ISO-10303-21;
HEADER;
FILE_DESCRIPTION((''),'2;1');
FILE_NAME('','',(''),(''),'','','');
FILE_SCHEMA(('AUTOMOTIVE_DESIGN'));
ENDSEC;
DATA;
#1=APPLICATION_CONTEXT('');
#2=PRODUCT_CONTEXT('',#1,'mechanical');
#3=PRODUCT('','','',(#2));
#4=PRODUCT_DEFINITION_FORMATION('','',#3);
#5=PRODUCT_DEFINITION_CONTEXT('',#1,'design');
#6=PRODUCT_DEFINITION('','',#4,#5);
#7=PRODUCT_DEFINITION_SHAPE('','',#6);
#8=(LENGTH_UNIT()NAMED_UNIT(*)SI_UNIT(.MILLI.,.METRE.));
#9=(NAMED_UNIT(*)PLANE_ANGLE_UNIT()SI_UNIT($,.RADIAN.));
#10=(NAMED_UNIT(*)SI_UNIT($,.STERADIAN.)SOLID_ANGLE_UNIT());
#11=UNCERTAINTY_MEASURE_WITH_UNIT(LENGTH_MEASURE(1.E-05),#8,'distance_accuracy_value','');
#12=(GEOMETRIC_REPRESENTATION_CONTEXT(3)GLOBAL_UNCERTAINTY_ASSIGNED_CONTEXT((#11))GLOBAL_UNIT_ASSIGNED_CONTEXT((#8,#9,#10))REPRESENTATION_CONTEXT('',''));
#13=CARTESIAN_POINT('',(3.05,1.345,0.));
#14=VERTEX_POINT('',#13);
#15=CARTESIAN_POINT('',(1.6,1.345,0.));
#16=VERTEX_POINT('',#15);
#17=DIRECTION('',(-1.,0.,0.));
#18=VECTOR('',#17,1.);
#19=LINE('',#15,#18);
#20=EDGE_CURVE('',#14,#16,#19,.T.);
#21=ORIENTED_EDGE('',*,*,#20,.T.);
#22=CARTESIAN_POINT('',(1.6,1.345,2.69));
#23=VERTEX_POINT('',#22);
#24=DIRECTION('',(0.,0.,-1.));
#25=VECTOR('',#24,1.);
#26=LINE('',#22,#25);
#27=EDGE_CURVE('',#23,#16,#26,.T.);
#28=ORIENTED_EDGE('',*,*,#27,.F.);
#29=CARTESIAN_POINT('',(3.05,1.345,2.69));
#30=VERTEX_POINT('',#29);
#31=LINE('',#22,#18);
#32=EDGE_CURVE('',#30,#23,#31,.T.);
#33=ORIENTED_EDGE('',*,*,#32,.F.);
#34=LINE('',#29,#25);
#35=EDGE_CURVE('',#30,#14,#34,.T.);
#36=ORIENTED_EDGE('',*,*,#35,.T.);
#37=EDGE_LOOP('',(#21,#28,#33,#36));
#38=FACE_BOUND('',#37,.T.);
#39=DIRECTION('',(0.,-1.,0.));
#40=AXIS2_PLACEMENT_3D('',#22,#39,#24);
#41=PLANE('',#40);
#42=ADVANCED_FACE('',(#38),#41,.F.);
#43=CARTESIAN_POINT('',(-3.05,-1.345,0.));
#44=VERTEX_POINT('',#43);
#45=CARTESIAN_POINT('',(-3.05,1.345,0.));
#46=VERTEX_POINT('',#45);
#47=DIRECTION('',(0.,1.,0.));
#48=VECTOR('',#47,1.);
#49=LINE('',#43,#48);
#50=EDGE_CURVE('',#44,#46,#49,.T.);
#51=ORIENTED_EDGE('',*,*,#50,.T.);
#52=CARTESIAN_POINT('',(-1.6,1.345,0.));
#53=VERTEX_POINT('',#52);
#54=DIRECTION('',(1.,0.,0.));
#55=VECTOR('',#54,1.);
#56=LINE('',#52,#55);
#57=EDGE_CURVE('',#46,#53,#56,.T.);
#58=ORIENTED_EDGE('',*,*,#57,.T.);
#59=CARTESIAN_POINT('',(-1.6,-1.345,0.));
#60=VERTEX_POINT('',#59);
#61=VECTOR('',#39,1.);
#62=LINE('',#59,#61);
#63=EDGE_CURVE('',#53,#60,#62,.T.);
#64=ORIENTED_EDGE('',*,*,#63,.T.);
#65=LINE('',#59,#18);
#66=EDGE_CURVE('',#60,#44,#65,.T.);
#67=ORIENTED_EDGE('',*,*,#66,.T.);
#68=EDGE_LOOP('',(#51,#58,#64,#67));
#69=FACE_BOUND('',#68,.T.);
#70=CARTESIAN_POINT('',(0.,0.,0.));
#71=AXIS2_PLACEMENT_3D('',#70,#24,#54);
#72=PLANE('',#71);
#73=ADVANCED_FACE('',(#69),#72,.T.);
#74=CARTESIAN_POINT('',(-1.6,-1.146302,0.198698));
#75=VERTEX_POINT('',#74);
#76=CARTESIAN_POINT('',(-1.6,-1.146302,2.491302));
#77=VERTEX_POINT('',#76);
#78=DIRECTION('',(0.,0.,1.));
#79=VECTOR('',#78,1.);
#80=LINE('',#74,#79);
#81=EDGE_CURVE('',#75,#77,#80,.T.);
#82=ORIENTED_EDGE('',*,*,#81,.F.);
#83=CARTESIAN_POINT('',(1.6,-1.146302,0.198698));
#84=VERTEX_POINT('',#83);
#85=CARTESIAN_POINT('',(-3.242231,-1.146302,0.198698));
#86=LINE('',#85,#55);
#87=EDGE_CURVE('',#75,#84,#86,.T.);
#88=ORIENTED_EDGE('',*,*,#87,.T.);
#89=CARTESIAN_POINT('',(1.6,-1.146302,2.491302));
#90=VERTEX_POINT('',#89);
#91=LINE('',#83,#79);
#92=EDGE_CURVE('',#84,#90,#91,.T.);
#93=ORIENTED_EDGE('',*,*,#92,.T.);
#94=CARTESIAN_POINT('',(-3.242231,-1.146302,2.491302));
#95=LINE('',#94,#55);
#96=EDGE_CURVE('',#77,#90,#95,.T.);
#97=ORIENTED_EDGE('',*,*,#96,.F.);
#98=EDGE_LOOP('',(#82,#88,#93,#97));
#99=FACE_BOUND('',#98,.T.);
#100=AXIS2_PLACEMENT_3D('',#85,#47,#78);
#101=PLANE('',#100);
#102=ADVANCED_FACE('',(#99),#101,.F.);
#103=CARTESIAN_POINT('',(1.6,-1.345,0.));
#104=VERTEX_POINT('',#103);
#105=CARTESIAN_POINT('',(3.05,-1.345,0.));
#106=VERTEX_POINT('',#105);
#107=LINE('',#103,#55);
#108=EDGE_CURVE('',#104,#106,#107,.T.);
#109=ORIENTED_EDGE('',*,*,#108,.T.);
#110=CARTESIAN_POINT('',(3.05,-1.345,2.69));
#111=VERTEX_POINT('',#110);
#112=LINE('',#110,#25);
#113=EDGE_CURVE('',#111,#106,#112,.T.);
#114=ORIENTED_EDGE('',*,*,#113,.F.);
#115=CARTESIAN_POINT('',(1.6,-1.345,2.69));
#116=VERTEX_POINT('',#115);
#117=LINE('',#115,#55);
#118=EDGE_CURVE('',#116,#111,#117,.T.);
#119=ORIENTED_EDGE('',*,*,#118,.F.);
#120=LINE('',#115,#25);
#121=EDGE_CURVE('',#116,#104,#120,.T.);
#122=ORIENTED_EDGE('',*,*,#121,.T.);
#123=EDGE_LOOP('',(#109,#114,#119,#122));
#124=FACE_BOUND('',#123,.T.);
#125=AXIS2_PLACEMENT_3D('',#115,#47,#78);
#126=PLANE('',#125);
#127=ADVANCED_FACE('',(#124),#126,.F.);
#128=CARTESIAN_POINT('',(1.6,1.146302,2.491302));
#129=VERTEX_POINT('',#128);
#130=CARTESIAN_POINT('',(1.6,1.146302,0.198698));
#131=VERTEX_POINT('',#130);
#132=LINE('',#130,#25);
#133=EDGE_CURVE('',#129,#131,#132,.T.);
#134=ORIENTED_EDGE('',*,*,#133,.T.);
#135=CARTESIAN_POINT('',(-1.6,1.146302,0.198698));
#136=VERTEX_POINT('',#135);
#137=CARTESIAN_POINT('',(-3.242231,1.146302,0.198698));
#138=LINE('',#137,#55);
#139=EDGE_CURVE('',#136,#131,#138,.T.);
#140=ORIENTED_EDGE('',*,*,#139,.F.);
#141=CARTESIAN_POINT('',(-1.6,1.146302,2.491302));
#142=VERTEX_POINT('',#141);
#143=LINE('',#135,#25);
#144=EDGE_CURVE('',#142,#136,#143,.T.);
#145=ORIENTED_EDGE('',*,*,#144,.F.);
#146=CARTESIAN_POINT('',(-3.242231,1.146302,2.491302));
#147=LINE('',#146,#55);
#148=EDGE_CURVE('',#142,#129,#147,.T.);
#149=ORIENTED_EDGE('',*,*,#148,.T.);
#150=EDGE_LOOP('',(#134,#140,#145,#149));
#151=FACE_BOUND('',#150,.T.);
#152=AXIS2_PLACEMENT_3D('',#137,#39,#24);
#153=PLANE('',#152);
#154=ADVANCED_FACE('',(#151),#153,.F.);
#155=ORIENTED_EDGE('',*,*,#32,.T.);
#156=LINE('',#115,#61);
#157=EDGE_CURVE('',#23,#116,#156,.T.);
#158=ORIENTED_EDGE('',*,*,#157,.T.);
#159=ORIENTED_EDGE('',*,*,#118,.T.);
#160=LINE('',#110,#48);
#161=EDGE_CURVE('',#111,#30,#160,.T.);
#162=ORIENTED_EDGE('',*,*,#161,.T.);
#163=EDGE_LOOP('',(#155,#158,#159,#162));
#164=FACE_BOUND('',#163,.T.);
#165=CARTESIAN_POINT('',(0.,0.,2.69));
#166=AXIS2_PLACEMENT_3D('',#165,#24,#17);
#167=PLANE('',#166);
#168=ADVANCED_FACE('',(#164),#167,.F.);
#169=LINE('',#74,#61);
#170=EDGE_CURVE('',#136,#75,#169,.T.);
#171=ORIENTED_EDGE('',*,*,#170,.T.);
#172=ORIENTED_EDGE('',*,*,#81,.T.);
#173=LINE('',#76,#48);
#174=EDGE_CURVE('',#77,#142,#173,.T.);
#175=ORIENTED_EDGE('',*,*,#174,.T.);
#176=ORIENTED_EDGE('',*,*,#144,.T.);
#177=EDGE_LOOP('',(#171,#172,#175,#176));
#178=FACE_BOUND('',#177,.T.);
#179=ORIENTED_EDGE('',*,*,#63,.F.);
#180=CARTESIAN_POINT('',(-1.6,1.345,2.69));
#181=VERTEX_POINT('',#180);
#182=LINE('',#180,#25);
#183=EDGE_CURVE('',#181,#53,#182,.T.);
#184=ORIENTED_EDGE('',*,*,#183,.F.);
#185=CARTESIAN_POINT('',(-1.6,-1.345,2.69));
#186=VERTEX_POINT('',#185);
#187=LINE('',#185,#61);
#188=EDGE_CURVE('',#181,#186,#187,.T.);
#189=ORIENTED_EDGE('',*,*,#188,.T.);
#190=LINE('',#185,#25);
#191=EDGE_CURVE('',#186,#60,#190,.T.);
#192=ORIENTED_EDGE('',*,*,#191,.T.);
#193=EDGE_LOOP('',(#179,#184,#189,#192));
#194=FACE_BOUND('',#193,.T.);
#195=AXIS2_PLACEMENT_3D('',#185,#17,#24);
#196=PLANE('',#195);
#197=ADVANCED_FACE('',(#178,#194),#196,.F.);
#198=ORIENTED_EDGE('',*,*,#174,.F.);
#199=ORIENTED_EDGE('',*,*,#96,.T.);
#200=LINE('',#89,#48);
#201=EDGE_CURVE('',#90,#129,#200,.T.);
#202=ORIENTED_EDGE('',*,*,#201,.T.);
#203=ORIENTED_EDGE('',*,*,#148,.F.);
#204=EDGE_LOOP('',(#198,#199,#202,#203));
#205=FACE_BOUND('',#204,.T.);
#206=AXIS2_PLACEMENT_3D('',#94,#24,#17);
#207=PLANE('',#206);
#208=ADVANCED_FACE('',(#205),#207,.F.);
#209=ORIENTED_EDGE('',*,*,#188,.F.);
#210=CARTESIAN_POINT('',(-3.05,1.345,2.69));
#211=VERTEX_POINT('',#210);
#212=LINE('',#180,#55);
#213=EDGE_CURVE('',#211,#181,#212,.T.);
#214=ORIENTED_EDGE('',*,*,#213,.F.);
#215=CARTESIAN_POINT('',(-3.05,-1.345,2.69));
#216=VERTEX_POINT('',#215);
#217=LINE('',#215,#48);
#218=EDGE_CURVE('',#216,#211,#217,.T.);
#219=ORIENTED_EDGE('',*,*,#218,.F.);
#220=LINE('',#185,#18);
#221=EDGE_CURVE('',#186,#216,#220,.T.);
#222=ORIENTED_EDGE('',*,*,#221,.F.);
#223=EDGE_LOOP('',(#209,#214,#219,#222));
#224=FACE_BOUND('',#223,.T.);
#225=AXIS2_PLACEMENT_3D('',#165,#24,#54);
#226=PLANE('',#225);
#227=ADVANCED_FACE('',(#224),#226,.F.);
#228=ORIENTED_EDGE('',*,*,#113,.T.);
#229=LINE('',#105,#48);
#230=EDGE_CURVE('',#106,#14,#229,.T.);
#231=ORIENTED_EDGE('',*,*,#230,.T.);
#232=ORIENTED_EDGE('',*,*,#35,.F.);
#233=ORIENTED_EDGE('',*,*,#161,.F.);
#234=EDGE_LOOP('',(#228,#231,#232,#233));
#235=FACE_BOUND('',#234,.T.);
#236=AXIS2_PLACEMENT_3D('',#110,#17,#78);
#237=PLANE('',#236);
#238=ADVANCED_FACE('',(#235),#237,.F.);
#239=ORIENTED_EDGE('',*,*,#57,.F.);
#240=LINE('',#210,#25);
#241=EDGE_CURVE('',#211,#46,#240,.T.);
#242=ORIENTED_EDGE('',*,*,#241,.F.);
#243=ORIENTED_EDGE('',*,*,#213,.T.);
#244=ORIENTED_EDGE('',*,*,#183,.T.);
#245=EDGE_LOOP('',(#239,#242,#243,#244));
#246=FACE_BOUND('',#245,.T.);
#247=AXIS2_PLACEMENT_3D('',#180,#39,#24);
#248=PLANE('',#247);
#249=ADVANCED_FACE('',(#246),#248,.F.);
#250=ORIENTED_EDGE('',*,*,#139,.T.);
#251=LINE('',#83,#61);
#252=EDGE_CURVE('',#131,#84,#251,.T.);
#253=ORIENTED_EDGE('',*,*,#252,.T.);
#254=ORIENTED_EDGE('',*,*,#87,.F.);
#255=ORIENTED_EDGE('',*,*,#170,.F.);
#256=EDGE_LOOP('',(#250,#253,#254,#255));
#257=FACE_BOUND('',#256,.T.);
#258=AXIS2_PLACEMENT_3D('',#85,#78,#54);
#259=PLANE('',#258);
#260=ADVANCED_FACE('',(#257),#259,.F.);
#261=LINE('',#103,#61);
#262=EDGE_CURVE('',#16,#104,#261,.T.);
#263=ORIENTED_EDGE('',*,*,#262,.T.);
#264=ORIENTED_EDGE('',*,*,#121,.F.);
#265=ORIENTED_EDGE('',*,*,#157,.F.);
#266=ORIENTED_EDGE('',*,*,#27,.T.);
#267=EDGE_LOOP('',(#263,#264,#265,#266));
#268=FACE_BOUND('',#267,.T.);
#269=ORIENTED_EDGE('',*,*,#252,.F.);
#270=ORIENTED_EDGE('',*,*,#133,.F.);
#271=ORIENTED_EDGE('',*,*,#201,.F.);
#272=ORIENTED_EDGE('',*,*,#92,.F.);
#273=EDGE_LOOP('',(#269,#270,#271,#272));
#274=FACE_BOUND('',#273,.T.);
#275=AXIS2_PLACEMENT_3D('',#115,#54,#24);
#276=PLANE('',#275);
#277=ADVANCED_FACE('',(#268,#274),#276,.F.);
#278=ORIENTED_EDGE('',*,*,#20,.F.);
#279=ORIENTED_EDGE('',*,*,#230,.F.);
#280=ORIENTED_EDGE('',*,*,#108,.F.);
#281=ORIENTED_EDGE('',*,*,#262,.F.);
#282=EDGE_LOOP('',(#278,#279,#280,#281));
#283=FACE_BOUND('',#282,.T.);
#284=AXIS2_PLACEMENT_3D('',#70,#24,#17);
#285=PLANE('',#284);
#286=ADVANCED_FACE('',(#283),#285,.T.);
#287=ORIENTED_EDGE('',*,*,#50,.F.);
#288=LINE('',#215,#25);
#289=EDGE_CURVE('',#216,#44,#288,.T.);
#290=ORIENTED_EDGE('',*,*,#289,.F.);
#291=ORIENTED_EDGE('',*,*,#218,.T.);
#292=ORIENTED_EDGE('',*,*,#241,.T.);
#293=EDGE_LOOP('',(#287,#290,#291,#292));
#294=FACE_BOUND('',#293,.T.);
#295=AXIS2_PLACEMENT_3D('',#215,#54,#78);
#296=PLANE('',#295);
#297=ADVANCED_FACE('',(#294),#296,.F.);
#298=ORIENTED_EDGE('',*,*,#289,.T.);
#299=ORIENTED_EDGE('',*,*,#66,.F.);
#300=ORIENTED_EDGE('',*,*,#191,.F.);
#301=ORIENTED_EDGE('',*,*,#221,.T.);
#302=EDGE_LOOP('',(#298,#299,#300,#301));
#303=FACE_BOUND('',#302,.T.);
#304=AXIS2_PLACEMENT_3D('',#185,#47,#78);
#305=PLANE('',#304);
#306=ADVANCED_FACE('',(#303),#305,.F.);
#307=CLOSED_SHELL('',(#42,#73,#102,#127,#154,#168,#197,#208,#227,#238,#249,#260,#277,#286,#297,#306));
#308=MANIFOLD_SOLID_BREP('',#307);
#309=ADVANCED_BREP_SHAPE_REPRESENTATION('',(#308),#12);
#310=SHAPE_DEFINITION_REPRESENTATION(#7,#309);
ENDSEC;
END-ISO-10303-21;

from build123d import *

# Parameters (mm, degrees)
SKETCH_1_W      = 1.45
SKETCH_1_H      = 2.69
EXTRUDE_1_DEPTH = 2.69
SKETCH_2_W      = 2.292603852
SKETCH_2_H      = 2.292603852
EXTRUDE_2_DEPTH = 1.6


with BuildPart() as part:
    # Эскиз1 → Бобышка-Вытянуть1 (new body)
    with BuildSketch(Plane.XY):
        with Locations((2.325, 0)):
            Rectangle(SKETCH_1_W, SKETCH_1_H)
    extrude(amount=EXTRUDE_1_DEPTH)

    # Эскиз2 → Бобышка-Вытянуть2 (add)
    with BuildSketch(Plane.ZY.offset(-1.6)):
        with Locations((1.345, 0)):
            Rectangle(SKETCH_2_W, SKETCH_2_H)
    extrude(amount=EXTRUDE_2_DEPTH)

    # Зеркальное отражение1: part across plane


with BuildPart() as part_1:
    add(part.part)
    add(part.part.mirror(Plane(origin=(0, 0, 0), x_dir=(0, 0, 1), z_dir=(1, 0, 0))))


solid = part_1.part
